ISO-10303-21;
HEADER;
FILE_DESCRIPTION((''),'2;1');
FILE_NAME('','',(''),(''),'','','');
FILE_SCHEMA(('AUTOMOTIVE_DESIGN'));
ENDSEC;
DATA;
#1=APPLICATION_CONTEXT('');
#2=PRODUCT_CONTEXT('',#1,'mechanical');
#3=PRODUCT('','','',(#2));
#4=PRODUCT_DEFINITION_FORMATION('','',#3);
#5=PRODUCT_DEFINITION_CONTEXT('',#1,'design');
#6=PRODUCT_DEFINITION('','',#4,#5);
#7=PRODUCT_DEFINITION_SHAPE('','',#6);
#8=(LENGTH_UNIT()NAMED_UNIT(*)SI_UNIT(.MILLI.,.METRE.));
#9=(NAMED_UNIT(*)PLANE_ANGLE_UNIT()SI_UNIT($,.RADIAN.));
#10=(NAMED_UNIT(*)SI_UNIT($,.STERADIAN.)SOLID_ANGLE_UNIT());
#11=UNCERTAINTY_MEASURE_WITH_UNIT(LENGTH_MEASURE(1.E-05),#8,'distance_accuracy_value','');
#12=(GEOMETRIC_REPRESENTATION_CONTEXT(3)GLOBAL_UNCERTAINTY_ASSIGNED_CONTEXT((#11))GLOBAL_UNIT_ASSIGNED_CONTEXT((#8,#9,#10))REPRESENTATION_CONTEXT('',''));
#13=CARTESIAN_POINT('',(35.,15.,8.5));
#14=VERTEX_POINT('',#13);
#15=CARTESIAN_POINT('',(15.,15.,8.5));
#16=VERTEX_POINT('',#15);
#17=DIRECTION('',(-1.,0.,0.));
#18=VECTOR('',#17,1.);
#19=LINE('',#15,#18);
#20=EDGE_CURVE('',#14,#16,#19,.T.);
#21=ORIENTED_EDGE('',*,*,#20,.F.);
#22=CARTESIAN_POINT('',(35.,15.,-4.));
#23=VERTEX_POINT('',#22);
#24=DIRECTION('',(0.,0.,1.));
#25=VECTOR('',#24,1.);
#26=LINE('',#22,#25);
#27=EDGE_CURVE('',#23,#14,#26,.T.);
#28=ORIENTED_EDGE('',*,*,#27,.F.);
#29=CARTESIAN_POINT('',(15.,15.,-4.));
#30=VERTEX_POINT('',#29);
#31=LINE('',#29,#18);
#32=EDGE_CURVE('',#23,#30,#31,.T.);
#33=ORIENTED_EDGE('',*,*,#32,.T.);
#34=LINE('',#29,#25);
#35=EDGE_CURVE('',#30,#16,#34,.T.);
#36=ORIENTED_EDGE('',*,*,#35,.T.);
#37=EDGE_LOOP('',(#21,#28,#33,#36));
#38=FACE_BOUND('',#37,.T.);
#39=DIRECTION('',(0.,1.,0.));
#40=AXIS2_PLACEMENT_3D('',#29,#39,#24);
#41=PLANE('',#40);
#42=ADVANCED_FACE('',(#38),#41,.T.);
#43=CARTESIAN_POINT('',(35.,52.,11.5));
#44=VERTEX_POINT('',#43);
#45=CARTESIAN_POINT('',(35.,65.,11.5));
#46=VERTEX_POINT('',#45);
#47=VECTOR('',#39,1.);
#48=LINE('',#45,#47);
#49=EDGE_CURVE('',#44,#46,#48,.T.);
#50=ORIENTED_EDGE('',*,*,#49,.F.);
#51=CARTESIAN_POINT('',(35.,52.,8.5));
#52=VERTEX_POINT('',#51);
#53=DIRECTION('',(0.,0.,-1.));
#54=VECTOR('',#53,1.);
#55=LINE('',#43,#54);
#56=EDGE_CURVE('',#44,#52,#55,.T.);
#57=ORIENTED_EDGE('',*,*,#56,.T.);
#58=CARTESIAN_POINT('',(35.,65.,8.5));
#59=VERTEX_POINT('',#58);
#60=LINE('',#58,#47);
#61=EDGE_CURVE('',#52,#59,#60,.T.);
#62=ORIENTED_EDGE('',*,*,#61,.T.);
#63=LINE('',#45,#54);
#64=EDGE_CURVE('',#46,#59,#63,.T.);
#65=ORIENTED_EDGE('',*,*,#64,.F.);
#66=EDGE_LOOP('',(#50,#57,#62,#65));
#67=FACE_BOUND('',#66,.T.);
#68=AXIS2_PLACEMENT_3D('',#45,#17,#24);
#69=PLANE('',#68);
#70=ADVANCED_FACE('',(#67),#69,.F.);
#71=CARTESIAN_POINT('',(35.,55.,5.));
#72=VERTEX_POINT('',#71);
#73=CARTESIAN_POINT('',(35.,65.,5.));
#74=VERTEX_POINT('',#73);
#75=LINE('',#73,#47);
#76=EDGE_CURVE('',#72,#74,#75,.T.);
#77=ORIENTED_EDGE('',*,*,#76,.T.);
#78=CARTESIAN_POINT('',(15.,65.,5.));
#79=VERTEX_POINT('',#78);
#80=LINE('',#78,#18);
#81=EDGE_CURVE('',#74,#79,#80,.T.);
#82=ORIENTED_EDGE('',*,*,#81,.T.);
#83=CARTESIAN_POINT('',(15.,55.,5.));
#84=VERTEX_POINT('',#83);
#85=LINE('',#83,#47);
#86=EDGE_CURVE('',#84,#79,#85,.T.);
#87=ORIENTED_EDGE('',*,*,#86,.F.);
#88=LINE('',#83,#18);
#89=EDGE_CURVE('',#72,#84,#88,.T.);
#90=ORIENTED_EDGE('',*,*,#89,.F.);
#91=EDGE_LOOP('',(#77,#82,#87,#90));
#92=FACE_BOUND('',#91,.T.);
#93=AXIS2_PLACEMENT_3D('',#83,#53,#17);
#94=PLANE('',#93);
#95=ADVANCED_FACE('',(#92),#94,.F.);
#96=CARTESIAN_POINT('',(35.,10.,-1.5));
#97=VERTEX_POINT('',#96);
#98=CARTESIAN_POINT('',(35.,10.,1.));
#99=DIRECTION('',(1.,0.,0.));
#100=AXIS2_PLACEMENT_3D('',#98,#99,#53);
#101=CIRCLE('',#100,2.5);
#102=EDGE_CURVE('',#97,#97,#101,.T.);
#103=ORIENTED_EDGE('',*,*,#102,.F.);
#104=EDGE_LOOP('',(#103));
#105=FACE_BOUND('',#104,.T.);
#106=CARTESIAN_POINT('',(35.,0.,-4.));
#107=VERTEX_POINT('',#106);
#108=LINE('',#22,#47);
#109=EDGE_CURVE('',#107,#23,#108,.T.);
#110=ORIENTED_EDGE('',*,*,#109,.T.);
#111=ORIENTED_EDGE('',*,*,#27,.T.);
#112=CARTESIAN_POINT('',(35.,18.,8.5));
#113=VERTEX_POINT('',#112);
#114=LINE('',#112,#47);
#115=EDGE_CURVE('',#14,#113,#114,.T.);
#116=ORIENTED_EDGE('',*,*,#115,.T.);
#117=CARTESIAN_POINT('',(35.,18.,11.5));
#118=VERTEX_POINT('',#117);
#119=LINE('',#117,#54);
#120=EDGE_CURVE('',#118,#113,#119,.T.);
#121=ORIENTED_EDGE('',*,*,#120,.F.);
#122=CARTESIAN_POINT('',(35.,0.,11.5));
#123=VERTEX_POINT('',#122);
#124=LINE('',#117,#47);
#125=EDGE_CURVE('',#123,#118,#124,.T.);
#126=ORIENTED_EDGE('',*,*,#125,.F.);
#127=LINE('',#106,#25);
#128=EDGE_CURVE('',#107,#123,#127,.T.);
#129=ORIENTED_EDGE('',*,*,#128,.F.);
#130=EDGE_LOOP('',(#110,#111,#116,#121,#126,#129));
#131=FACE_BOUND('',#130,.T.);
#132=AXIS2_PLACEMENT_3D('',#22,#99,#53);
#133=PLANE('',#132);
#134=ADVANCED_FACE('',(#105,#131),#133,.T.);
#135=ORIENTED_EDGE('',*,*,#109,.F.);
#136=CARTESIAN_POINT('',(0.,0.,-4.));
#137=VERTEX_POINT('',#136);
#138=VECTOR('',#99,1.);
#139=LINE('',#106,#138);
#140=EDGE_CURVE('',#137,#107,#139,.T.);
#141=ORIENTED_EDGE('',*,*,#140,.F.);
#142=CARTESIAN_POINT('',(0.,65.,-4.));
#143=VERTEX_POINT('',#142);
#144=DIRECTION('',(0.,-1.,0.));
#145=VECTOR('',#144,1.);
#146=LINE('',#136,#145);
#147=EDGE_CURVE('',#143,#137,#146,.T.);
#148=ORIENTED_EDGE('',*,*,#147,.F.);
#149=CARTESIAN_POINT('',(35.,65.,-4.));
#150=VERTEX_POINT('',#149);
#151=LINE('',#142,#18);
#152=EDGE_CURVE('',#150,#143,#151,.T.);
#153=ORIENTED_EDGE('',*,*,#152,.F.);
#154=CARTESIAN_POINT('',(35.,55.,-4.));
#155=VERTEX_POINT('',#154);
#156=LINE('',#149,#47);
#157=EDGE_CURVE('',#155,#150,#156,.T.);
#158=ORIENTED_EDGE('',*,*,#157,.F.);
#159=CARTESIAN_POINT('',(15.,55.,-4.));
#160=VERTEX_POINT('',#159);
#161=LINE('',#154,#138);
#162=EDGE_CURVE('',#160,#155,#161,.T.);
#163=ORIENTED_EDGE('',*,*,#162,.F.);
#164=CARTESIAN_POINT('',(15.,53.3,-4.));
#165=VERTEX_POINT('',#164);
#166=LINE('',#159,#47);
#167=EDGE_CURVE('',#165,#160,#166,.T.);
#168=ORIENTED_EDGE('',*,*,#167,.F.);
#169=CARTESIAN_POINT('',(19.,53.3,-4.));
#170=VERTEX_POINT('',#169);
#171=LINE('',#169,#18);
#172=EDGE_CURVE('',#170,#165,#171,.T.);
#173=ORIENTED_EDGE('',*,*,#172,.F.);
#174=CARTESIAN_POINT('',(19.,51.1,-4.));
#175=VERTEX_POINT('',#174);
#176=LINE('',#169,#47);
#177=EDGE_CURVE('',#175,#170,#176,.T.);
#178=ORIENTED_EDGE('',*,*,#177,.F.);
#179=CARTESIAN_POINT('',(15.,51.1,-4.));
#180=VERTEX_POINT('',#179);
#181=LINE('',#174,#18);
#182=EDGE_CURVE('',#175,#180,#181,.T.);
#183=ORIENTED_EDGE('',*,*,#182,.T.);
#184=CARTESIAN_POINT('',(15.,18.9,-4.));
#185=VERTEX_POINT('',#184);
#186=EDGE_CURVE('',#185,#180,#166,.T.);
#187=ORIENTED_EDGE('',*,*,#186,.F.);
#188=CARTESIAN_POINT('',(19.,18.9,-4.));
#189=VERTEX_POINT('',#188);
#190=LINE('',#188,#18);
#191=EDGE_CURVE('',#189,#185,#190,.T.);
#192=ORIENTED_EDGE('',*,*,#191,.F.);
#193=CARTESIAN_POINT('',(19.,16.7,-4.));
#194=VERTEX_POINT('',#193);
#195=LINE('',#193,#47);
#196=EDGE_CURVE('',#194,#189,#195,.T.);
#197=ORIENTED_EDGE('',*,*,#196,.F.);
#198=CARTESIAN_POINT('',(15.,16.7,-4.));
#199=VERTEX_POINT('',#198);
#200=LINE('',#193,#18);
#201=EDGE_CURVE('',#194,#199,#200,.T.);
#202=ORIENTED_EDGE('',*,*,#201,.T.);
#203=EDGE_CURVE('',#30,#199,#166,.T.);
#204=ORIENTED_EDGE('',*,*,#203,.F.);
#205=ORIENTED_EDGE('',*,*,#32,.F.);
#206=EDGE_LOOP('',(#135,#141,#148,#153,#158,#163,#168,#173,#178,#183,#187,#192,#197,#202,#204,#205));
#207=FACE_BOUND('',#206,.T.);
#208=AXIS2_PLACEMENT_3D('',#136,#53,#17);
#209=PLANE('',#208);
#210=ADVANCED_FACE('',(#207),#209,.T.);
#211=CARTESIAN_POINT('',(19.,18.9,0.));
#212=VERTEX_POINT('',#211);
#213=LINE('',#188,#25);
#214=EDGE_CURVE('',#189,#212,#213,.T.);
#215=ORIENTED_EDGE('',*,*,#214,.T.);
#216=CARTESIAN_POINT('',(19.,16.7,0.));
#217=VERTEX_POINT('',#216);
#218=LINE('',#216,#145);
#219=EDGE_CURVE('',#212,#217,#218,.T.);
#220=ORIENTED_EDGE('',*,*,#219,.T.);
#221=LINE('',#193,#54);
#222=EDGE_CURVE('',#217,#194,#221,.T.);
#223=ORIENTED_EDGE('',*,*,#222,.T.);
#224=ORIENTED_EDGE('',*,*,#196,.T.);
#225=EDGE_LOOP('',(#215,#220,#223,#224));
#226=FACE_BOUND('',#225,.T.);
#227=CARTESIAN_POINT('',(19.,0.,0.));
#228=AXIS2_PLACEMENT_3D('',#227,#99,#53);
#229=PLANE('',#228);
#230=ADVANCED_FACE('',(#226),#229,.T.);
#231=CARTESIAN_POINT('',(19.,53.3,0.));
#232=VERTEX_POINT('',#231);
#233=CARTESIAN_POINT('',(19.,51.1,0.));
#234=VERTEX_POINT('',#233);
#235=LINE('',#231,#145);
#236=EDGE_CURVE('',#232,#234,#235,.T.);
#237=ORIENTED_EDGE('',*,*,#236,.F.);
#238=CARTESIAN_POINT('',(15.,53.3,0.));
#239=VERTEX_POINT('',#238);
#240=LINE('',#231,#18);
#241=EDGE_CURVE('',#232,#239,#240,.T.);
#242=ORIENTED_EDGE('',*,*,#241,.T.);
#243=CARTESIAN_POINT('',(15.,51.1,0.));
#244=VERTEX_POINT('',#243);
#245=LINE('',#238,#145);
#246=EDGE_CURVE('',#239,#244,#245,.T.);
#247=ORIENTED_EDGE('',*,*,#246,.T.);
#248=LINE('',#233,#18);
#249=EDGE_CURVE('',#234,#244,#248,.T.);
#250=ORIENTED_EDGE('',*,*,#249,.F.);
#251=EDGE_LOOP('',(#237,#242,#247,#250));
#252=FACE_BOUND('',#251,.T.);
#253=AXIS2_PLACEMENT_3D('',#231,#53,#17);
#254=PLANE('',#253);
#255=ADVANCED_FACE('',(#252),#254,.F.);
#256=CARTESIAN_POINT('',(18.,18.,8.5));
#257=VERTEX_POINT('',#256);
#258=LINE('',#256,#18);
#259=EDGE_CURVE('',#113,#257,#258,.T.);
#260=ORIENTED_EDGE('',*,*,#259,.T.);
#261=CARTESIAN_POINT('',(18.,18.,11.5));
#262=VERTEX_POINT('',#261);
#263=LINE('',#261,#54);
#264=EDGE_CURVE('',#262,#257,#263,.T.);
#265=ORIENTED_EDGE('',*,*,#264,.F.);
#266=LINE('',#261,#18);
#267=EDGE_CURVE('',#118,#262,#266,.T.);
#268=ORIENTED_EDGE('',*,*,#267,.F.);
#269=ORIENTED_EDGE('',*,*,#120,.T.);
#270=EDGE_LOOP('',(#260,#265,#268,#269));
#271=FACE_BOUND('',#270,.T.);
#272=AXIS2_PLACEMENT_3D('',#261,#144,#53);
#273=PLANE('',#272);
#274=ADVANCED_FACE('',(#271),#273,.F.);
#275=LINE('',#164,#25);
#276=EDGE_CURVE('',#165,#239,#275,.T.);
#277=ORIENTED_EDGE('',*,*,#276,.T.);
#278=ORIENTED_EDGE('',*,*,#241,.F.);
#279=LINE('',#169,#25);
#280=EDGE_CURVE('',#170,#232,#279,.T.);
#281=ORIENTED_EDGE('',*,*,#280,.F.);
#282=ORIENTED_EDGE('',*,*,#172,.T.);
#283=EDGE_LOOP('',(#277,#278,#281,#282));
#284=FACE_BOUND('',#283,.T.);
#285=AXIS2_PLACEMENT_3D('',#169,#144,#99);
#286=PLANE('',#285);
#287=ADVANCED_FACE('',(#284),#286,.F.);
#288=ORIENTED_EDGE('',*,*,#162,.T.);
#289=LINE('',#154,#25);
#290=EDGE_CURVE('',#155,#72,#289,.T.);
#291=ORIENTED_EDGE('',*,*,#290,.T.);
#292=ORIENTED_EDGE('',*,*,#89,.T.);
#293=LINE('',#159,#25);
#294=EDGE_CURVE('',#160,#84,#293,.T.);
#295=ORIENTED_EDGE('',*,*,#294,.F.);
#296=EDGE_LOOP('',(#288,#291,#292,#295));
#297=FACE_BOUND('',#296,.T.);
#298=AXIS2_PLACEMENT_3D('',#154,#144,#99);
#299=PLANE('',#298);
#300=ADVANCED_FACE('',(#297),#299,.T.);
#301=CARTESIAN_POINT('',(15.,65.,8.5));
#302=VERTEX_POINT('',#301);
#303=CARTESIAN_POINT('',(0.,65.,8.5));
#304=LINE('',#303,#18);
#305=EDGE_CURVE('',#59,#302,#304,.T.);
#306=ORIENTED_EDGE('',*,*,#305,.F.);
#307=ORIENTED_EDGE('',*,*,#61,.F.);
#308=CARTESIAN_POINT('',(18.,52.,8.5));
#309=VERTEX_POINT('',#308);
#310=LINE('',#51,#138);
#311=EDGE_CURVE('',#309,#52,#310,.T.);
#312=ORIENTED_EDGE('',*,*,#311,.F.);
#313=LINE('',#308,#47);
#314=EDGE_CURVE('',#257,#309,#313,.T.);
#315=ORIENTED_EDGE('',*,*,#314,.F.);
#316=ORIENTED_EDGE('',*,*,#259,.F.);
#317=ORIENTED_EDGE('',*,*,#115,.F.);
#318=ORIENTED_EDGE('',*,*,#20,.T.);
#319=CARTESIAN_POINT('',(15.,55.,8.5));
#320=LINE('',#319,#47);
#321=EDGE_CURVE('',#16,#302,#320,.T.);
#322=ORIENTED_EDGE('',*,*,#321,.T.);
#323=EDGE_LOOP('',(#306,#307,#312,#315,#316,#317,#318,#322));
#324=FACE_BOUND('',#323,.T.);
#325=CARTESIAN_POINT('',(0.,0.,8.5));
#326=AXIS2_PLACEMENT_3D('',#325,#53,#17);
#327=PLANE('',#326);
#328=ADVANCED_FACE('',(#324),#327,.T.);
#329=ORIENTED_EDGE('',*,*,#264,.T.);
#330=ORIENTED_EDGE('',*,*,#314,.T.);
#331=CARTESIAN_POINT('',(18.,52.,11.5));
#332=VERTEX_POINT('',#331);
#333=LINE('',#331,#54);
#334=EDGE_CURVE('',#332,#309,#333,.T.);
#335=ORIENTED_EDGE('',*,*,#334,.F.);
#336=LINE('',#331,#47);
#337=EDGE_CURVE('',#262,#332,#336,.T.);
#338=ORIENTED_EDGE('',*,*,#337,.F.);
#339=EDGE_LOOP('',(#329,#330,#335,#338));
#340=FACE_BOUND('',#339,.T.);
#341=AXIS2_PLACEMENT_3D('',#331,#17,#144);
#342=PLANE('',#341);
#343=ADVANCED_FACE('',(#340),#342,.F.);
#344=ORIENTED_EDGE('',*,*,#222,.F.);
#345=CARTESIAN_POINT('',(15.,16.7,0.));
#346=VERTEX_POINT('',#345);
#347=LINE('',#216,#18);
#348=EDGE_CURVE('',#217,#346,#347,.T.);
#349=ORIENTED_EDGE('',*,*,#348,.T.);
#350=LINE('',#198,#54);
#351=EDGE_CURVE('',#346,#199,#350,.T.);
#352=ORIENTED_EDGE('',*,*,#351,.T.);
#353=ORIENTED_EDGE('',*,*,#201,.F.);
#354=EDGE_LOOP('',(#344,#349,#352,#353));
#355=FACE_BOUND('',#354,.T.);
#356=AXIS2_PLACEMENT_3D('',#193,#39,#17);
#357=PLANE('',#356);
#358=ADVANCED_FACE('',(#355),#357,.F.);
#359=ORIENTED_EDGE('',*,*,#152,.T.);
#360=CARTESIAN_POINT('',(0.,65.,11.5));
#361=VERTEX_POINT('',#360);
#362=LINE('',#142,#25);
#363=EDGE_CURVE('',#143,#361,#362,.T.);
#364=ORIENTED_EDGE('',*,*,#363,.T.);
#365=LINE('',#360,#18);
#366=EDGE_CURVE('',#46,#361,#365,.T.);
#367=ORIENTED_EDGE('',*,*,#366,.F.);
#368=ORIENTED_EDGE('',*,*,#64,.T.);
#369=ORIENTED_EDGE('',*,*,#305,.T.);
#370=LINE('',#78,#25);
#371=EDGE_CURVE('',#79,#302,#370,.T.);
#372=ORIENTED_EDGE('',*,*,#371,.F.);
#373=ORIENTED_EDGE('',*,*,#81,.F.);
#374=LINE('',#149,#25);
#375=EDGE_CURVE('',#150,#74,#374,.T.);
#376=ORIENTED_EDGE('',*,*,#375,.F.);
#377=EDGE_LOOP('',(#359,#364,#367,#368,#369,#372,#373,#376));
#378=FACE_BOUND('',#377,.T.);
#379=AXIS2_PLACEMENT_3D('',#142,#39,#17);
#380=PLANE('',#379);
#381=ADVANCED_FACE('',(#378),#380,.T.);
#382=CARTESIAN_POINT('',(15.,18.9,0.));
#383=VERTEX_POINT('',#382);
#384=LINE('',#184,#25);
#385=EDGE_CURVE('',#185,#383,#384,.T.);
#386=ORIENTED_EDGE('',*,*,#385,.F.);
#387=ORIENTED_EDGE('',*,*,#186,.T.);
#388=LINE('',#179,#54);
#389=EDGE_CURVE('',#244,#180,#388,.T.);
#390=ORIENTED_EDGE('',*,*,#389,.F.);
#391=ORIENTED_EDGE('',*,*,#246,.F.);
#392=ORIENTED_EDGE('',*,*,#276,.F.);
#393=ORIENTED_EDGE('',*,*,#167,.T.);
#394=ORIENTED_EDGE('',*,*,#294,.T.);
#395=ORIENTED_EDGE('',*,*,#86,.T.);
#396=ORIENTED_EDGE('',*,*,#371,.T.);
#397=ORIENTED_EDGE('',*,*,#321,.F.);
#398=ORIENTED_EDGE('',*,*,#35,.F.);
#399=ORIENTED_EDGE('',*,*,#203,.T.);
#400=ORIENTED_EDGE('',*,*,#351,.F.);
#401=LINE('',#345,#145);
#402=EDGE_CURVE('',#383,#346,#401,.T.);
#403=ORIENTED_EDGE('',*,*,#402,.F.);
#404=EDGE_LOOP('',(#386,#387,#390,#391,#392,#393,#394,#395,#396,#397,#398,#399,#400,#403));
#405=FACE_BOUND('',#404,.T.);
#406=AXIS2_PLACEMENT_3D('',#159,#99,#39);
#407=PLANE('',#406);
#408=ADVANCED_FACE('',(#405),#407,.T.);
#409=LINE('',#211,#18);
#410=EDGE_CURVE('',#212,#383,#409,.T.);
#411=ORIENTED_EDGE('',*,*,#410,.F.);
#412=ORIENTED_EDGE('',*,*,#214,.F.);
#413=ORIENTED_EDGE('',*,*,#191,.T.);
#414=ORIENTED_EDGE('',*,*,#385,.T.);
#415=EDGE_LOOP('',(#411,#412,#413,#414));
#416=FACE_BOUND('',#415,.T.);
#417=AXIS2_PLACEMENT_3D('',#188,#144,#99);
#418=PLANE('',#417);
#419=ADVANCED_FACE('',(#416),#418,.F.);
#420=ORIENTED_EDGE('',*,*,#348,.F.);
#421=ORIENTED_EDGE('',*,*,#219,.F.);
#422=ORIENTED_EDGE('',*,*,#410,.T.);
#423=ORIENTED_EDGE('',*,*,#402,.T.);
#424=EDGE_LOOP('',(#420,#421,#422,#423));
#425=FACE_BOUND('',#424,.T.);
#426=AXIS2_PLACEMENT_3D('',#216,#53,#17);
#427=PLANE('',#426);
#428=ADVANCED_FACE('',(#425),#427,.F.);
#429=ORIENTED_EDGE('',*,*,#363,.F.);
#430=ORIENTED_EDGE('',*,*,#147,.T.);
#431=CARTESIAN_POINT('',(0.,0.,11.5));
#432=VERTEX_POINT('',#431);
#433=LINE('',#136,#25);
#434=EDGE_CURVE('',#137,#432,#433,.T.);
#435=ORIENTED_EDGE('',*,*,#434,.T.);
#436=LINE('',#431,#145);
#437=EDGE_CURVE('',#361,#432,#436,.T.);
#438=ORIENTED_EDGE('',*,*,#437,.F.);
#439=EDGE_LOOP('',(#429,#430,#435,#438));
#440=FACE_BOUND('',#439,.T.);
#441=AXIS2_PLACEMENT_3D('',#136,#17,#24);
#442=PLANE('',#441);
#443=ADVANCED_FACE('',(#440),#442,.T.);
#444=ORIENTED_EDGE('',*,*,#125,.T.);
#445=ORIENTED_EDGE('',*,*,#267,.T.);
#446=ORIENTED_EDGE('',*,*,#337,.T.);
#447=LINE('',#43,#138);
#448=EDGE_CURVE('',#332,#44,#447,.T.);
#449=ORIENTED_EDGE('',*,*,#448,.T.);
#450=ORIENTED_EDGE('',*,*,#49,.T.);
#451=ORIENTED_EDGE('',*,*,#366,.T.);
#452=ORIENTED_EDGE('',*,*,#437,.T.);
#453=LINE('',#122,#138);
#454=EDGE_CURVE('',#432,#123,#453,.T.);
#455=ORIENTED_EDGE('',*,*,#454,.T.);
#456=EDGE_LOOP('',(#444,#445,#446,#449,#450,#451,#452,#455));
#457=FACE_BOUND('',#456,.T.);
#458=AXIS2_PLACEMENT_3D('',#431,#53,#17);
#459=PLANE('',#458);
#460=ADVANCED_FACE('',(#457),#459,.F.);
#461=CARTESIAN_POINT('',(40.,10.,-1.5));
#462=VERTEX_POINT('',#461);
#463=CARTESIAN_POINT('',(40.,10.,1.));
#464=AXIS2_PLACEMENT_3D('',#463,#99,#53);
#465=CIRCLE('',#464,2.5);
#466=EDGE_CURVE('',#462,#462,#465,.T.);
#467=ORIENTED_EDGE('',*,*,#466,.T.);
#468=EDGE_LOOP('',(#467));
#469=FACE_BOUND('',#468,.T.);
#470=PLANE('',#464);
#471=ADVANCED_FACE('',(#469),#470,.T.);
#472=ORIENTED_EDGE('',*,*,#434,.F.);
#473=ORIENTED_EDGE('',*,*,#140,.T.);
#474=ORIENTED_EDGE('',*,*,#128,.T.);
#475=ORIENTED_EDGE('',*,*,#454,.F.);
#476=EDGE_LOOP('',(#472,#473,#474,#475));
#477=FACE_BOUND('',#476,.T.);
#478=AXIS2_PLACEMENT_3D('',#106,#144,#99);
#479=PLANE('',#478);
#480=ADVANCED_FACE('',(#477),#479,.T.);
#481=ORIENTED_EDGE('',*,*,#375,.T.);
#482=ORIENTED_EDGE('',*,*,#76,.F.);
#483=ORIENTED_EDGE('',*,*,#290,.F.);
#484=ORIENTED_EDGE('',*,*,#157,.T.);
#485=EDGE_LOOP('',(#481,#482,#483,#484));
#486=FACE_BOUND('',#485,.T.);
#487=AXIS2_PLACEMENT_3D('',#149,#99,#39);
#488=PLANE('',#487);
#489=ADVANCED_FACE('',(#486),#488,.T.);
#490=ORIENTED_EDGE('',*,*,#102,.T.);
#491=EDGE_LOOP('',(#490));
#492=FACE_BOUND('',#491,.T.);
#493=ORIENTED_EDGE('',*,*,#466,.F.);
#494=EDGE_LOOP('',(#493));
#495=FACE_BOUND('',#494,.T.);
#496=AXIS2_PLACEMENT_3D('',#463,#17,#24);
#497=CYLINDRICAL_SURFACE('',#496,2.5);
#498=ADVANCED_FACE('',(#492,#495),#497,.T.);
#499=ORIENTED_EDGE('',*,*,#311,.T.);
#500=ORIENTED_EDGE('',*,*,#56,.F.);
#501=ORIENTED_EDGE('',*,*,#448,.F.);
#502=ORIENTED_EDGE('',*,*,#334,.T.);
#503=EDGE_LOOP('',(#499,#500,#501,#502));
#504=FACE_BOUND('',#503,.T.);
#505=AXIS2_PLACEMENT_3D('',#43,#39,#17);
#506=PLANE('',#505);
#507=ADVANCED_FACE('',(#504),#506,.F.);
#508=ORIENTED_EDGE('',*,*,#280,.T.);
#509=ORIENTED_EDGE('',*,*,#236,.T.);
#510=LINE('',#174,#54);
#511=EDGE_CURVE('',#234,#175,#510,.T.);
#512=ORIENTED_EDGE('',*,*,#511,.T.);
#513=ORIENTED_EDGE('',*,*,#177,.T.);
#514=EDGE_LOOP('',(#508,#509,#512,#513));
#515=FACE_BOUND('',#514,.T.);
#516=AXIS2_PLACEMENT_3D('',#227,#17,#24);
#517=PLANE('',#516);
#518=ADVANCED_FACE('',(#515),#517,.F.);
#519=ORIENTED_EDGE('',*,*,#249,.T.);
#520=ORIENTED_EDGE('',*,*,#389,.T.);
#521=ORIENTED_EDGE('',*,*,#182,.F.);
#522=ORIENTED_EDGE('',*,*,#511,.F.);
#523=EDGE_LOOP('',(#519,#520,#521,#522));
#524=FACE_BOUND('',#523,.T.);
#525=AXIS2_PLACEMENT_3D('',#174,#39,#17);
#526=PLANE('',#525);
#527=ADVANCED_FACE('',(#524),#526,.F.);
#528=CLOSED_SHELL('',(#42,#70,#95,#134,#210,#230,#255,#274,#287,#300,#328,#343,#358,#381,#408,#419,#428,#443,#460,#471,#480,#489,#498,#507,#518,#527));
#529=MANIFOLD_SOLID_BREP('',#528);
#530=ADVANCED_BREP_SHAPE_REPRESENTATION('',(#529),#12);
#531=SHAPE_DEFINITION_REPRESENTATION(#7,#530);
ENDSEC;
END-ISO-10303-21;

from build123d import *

# Parameters (mm, degrees)
BOSS_EXTRUDE1_DEPTH      = 8.5
BOSS_EXTRUDE1_DEPTH_BACK = 4
SKETCH3_W                = 40
SKETCH3_H                = 3.5
CUT_EXTRUDE1_DEPTH       = 10
BOSS_EXTRUDE2_DEPTH      = 3
SKETCH5_R                = 2.5
BOSS_EXTRUDE3_DEPTH      = 5
SKETCH6_W                = 4
SKETCH6_H                = 2.2
BOSS_EXTRUDE4_DEPTH      = 4


with BuildPart() as part:
    # Sketch1 → Boss-Extrude1 (new body, two sides)
    with BuildSketch(Plane.XY) as boss_extrude1_sk:
        Polygon((0, 0), (0, 65), (35, 65), (35, 55), (15, 55), (15, 15), (35, 15), (35, 0), align=None)
    extrude(amount=BOSS_EXTRUDE1_DEPTH)
    extrude(boss_extrude1_sk.sketch, amount=-BOSS_EXTRUDE1_DEPTH_BACK)

    # Sketch3 → Cut-Extrude1 (cut)
    with BuildSketch(Plane(origin=(0, 65, 0), x_dir=(1, 0, 0), z_dir=(0, 1, 0))):
        with Locations((35, -6.75)):
            Rectangle(SKETCH3_W, SKETCH3_H)
    extrude(amount=-CUT_EXTRUDE1_DEPTH, mode=Mode.SUBTRACT)

    # Sketch4 → Boss-Extrude2 (add)
    with BuildSketch(Plane.XY.offset(8.5)):
        Polygon((35, 0), (0, 0), (0, 65), (35, 65), (35, 52), (18, 52), (18, 18), (35, 18), align=None)
    extrude(amount=BOSS_EXTRUDE2_DEPTH)

    # Sketch5 → Boss-Extrude3 (add)
    with BuildSketch(Plane(origin=(35, 0, 0), x_dir=(0, 0, -1), z_dir=(1, 0, 0))):
        with Locations((-1, 10)):
            Circle(SKETCH5_R)
    extrude(amount=BOSS_EXTRUDE3_DEPTH)

    # Sketch6 → Boss-Extrude4 (add)
    with BuildSketch(Plane(origin=(15, 0, 0), x_dir=(0, 0, -1), z_dir=(1, 0, 0))):
        with Locations((2, 52.2)):
            Rectangle(SKETCH6_W, SKETCH6_H)
        with Locations((2, 17.8)):
            Rectangle(SKETCH6_W, SKETCH6_H)
    extrude(amount=BOSS_EXTRUDE4_DEPTH)


solid = part.part
